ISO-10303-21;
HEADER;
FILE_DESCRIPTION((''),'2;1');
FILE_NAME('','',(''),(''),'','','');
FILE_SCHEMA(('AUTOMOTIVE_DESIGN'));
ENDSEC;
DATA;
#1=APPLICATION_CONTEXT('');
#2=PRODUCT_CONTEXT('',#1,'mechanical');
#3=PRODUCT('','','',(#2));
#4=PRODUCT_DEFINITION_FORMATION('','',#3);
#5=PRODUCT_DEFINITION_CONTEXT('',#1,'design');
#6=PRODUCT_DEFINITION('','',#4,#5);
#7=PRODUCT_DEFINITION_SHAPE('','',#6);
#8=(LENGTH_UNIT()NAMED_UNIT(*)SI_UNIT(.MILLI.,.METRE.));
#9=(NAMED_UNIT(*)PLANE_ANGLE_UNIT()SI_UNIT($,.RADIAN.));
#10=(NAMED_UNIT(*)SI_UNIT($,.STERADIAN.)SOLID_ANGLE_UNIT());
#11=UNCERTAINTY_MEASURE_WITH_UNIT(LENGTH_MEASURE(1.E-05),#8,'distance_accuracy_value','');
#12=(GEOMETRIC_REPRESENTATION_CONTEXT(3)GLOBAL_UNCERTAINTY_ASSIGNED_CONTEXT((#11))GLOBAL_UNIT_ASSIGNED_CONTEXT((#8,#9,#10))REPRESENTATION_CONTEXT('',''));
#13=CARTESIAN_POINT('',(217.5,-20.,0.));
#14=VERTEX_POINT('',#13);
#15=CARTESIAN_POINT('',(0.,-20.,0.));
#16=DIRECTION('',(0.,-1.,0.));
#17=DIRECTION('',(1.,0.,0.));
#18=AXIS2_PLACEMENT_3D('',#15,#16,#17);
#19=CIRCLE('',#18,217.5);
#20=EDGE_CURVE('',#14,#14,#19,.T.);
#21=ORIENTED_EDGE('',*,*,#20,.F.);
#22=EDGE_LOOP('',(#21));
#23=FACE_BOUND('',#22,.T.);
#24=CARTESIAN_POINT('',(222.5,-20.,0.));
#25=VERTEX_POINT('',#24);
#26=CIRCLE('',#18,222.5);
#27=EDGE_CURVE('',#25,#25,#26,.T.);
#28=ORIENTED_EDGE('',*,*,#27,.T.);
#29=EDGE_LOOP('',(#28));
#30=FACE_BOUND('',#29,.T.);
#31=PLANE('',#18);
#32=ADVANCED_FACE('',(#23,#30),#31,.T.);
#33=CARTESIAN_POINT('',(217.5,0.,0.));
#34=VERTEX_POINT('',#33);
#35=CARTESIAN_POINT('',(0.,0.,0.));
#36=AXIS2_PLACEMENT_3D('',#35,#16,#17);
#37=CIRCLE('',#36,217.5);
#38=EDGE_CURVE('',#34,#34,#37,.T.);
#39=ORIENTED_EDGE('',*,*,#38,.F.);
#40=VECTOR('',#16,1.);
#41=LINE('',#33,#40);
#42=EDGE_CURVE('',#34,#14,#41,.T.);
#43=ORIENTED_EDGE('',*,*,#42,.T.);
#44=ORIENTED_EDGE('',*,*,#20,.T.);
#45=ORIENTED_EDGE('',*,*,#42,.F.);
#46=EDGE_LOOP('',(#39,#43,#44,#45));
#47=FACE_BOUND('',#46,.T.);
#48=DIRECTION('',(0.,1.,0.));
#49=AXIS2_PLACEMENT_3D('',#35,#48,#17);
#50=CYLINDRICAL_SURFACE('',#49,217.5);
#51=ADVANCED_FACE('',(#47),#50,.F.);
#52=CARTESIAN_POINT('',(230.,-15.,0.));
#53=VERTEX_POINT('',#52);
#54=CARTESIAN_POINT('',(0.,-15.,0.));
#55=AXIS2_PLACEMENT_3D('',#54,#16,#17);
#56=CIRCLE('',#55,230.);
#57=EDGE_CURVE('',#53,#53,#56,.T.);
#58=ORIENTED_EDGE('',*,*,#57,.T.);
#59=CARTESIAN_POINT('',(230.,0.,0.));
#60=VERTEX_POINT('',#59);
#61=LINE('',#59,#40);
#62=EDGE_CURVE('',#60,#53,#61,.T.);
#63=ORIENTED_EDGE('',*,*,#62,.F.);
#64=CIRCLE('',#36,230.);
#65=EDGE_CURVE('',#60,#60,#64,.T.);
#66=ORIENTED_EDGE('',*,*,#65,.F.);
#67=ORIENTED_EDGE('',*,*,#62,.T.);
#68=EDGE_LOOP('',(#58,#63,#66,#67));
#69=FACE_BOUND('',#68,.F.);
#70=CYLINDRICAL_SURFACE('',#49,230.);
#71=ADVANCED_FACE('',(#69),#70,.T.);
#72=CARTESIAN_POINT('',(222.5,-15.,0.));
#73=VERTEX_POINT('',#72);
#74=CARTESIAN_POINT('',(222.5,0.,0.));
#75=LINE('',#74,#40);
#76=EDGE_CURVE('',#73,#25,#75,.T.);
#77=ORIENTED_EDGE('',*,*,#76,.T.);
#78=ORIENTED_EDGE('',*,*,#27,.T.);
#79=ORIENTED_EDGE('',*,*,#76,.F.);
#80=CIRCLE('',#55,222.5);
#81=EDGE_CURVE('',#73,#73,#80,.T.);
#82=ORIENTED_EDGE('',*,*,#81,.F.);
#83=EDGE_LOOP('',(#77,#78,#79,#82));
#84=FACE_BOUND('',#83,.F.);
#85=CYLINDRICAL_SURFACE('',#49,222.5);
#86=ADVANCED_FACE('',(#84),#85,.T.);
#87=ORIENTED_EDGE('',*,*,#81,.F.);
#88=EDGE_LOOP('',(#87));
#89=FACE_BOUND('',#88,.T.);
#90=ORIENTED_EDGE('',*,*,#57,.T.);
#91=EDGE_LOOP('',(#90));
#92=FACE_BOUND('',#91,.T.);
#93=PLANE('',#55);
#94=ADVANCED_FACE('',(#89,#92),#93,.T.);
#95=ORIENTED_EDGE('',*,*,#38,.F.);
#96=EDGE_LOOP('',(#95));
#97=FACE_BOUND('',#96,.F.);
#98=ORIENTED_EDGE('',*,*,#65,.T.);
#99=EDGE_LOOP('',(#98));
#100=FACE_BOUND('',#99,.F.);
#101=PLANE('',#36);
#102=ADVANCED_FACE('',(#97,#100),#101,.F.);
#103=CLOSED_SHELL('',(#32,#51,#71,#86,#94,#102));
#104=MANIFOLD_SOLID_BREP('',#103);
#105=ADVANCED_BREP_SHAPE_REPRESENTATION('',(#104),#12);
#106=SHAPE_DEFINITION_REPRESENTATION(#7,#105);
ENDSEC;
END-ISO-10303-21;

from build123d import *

# Parameters (mm, degrees)
F0_R     = 222.5
F0_R_2   = 217.5
F1_DEPTH = 20
F0_R_3   = 230
F2_DEPTH = 15


with BuildPart() as f1:
    # F0 (on Front) → F1 (new body)
    with BuildSketch(Plane.XZ):
        Circle(F0_R)
        Circle(F0_R_2, mode=Mode.SUBTRACT)
    extrude(amount=F1_DEPTH)

    # F0 (on Front) → F2 (join)
    with BuildSketch(Plane.XZ):
        Circle(F0_R_3)
        Circle(F0_R, mode=Mode.SUBTRACT)
    extrude(amount=F2_DEPTH)


solid = f1.part
